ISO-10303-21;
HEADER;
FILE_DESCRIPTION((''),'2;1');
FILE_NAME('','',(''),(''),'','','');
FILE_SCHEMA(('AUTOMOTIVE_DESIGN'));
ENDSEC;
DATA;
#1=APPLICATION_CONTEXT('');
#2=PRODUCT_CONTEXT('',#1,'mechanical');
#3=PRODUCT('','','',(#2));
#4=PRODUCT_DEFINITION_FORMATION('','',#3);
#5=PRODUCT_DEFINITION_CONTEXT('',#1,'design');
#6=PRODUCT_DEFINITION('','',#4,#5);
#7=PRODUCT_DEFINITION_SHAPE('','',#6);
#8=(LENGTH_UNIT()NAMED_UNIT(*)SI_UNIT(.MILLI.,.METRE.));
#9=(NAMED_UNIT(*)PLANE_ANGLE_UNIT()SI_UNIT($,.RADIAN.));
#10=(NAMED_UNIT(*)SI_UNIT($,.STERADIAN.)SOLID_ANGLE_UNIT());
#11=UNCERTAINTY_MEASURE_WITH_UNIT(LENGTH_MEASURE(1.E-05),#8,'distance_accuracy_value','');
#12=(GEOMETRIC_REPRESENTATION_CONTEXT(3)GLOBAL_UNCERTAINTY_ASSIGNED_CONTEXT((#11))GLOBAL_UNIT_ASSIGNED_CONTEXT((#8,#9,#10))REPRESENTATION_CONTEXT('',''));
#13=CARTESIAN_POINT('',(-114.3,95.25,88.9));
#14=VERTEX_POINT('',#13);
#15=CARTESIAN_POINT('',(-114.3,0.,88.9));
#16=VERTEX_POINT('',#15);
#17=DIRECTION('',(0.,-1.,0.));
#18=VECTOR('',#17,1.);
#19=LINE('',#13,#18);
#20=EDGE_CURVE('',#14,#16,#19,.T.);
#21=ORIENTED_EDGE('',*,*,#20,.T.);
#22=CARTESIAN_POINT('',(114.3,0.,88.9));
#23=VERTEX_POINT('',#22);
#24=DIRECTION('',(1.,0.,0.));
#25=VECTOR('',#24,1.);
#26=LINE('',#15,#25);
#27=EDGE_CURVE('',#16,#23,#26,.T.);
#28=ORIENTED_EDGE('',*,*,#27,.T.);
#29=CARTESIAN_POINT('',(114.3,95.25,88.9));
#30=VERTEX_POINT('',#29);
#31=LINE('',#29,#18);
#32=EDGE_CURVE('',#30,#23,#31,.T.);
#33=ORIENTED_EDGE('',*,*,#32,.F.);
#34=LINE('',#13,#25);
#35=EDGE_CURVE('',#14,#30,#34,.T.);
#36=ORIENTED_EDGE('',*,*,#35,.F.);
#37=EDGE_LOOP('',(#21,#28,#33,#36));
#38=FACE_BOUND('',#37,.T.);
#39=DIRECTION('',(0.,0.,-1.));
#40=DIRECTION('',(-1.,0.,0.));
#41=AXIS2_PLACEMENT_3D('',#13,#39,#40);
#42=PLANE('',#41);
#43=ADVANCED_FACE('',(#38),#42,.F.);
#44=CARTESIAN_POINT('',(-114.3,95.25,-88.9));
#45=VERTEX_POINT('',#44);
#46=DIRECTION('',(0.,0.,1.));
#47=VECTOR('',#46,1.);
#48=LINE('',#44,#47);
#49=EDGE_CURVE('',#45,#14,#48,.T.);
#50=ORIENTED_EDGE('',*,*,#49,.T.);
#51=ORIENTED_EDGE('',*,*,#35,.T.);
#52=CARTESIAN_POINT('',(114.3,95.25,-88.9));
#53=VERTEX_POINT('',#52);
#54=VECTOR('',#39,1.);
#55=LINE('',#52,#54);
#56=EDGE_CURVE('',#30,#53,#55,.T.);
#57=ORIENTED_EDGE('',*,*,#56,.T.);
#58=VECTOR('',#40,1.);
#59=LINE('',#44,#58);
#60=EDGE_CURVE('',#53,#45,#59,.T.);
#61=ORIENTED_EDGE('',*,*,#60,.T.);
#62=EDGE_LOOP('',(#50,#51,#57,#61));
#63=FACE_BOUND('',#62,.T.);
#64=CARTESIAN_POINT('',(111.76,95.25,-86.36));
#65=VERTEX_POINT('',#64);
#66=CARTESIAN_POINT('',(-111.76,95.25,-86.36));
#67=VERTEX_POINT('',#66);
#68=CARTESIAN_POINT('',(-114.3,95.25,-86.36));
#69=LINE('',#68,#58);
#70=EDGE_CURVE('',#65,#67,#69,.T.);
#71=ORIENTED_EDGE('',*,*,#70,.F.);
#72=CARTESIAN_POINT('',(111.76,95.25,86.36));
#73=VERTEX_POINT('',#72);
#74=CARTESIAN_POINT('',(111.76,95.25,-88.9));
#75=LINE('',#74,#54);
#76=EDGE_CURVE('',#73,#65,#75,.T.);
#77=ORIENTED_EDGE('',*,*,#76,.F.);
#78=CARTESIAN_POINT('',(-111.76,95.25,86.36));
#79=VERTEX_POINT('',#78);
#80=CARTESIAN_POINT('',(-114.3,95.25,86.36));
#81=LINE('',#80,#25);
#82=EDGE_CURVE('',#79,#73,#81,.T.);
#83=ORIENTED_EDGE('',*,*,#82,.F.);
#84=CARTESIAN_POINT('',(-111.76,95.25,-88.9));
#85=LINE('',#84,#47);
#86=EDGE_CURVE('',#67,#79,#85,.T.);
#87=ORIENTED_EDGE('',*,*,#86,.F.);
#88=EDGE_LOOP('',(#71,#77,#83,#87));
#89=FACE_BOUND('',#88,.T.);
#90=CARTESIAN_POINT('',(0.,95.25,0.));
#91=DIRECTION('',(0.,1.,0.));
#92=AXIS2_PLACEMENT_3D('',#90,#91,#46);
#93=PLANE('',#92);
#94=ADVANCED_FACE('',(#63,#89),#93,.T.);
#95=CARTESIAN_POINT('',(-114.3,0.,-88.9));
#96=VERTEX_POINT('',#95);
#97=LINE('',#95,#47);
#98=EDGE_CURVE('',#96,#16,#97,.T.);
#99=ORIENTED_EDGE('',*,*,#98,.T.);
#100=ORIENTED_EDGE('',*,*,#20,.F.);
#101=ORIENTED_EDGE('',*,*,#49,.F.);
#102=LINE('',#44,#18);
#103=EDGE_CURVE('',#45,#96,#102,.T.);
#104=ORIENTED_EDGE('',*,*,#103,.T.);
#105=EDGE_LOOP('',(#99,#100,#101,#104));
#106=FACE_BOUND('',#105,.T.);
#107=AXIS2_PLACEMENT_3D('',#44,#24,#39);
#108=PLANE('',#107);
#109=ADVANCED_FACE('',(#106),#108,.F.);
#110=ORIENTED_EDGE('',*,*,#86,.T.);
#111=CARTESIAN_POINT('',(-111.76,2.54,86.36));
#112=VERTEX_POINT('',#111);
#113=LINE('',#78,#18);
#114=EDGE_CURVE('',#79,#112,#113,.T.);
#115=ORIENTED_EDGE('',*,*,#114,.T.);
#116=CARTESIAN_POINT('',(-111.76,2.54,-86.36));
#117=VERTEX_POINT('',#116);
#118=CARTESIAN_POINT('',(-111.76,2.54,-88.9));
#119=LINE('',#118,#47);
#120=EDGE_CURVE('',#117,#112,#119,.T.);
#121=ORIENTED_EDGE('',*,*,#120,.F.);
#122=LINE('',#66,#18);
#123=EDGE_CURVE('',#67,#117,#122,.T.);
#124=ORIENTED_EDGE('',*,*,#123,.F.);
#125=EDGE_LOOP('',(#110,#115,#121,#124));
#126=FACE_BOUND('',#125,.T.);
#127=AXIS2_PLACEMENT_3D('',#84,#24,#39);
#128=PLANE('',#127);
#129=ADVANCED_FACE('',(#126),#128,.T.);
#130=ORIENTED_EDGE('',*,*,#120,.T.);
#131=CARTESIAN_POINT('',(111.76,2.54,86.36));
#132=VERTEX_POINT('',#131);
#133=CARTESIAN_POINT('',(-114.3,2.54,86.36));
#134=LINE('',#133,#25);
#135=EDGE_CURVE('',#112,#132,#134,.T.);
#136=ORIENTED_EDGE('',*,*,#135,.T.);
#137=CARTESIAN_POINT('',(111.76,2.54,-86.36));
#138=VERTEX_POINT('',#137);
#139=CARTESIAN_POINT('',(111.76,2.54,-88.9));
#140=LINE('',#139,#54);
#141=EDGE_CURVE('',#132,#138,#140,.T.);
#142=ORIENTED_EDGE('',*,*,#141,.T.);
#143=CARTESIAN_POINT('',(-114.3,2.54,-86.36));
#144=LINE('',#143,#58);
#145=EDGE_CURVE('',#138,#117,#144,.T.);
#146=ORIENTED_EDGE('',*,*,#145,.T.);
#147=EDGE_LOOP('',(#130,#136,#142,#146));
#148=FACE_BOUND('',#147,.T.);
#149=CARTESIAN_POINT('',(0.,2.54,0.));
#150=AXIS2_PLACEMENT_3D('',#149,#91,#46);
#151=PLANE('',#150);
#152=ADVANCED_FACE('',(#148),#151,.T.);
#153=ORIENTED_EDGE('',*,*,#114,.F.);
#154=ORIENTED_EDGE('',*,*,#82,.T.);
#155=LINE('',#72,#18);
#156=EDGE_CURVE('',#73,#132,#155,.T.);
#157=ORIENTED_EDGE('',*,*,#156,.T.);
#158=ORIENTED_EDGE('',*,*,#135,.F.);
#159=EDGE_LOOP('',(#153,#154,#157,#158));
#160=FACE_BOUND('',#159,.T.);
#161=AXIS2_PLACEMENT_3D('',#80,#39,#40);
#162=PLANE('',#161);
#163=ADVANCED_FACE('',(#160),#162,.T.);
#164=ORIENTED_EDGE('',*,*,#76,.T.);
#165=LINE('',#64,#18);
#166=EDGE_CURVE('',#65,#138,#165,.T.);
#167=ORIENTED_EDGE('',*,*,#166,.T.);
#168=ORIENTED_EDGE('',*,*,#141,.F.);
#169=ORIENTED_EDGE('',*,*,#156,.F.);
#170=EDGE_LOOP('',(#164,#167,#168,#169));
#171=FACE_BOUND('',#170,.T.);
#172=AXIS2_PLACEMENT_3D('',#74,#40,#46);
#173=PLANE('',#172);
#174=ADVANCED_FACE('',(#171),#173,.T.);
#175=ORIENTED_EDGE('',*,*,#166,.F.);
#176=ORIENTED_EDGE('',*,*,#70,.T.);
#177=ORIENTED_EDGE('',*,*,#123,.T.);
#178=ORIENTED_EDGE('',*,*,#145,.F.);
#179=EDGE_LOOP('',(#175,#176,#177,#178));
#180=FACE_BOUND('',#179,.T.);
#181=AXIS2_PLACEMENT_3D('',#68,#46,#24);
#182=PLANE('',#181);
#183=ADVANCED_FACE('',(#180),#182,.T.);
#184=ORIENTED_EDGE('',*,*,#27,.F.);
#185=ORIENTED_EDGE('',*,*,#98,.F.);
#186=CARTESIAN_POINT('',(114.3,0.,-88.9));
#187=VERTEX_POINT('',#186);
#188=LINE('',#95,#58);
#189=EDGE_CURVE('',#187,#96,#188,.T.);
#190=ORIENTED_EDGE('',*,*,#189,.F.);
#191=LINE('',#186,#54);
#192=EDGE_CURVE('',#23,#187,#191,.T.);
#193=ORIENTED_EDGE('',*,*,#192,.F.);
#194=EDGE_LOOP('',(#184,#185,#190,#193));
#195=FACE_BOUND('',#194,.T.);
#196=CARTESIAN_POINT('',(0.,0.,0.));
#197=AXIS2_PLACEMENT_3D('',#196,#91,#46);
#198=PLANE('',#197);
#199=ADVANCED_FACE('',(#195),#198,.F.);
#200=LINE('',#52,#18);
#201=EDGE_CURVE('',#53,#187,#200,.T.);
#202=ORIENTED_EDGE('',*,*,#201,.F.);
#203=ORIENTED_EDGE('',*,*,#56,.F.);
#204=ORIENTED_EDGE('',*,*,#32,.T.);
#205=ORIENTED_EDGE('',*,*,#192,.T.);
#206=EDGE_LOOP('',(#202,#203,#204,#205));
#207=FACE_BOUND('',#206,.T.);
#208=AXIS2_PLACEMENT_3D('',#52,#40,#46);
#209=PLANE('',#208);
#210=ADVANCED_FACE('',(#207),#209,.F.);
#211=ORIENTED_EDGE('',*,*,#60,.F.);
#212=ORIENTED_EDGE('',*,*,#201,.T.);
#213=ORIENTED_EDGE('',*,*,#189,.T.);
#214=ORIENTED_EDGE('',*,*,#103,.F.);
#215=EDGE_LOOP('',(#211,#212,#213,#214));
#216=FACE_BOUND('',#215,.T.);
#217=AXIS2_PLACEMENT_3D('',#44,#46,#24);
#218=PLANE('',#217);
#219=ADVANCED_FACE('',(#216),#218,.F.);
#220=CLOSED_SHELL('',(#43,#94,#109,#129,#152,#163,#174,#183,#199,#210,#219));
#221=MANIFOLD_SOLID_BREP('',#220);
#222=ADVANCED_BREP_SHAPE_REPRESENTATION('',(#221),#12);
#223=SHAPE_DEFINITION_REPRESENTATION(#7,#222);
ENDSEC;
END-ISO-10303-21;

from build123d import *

# Parameters (mm, degrees)
SKETCH2_W           = 228.6
SKETCH2_H           = 177.8
BOSS_EXTRUDE1_DEPTH = 95.25
SHELL3_T            = -2.54


with BuildPart() as part:
    # Sketch2 → Boss-Extrude1 (new body)
    with BuildSketch(Plane(origin=(0, 0, 0), x_dir=(1, 0, 0), z_dir=(0, 1, 0))):
        Rectangle(SKETCH2_W, SKETCH2_H)
    extrude(amount=BOSS_EXTRUDE1_DEPTH)

    # Shell3
    shell3_openings = [part.faces().sort_by_distance(p)[0] for p in [
        (0, 95.25, 0),
    ]]
    offset(amount=SHELL3_T, openings=shell3_openings, kind=Kind.INTERSECTION)


solid = part.part
